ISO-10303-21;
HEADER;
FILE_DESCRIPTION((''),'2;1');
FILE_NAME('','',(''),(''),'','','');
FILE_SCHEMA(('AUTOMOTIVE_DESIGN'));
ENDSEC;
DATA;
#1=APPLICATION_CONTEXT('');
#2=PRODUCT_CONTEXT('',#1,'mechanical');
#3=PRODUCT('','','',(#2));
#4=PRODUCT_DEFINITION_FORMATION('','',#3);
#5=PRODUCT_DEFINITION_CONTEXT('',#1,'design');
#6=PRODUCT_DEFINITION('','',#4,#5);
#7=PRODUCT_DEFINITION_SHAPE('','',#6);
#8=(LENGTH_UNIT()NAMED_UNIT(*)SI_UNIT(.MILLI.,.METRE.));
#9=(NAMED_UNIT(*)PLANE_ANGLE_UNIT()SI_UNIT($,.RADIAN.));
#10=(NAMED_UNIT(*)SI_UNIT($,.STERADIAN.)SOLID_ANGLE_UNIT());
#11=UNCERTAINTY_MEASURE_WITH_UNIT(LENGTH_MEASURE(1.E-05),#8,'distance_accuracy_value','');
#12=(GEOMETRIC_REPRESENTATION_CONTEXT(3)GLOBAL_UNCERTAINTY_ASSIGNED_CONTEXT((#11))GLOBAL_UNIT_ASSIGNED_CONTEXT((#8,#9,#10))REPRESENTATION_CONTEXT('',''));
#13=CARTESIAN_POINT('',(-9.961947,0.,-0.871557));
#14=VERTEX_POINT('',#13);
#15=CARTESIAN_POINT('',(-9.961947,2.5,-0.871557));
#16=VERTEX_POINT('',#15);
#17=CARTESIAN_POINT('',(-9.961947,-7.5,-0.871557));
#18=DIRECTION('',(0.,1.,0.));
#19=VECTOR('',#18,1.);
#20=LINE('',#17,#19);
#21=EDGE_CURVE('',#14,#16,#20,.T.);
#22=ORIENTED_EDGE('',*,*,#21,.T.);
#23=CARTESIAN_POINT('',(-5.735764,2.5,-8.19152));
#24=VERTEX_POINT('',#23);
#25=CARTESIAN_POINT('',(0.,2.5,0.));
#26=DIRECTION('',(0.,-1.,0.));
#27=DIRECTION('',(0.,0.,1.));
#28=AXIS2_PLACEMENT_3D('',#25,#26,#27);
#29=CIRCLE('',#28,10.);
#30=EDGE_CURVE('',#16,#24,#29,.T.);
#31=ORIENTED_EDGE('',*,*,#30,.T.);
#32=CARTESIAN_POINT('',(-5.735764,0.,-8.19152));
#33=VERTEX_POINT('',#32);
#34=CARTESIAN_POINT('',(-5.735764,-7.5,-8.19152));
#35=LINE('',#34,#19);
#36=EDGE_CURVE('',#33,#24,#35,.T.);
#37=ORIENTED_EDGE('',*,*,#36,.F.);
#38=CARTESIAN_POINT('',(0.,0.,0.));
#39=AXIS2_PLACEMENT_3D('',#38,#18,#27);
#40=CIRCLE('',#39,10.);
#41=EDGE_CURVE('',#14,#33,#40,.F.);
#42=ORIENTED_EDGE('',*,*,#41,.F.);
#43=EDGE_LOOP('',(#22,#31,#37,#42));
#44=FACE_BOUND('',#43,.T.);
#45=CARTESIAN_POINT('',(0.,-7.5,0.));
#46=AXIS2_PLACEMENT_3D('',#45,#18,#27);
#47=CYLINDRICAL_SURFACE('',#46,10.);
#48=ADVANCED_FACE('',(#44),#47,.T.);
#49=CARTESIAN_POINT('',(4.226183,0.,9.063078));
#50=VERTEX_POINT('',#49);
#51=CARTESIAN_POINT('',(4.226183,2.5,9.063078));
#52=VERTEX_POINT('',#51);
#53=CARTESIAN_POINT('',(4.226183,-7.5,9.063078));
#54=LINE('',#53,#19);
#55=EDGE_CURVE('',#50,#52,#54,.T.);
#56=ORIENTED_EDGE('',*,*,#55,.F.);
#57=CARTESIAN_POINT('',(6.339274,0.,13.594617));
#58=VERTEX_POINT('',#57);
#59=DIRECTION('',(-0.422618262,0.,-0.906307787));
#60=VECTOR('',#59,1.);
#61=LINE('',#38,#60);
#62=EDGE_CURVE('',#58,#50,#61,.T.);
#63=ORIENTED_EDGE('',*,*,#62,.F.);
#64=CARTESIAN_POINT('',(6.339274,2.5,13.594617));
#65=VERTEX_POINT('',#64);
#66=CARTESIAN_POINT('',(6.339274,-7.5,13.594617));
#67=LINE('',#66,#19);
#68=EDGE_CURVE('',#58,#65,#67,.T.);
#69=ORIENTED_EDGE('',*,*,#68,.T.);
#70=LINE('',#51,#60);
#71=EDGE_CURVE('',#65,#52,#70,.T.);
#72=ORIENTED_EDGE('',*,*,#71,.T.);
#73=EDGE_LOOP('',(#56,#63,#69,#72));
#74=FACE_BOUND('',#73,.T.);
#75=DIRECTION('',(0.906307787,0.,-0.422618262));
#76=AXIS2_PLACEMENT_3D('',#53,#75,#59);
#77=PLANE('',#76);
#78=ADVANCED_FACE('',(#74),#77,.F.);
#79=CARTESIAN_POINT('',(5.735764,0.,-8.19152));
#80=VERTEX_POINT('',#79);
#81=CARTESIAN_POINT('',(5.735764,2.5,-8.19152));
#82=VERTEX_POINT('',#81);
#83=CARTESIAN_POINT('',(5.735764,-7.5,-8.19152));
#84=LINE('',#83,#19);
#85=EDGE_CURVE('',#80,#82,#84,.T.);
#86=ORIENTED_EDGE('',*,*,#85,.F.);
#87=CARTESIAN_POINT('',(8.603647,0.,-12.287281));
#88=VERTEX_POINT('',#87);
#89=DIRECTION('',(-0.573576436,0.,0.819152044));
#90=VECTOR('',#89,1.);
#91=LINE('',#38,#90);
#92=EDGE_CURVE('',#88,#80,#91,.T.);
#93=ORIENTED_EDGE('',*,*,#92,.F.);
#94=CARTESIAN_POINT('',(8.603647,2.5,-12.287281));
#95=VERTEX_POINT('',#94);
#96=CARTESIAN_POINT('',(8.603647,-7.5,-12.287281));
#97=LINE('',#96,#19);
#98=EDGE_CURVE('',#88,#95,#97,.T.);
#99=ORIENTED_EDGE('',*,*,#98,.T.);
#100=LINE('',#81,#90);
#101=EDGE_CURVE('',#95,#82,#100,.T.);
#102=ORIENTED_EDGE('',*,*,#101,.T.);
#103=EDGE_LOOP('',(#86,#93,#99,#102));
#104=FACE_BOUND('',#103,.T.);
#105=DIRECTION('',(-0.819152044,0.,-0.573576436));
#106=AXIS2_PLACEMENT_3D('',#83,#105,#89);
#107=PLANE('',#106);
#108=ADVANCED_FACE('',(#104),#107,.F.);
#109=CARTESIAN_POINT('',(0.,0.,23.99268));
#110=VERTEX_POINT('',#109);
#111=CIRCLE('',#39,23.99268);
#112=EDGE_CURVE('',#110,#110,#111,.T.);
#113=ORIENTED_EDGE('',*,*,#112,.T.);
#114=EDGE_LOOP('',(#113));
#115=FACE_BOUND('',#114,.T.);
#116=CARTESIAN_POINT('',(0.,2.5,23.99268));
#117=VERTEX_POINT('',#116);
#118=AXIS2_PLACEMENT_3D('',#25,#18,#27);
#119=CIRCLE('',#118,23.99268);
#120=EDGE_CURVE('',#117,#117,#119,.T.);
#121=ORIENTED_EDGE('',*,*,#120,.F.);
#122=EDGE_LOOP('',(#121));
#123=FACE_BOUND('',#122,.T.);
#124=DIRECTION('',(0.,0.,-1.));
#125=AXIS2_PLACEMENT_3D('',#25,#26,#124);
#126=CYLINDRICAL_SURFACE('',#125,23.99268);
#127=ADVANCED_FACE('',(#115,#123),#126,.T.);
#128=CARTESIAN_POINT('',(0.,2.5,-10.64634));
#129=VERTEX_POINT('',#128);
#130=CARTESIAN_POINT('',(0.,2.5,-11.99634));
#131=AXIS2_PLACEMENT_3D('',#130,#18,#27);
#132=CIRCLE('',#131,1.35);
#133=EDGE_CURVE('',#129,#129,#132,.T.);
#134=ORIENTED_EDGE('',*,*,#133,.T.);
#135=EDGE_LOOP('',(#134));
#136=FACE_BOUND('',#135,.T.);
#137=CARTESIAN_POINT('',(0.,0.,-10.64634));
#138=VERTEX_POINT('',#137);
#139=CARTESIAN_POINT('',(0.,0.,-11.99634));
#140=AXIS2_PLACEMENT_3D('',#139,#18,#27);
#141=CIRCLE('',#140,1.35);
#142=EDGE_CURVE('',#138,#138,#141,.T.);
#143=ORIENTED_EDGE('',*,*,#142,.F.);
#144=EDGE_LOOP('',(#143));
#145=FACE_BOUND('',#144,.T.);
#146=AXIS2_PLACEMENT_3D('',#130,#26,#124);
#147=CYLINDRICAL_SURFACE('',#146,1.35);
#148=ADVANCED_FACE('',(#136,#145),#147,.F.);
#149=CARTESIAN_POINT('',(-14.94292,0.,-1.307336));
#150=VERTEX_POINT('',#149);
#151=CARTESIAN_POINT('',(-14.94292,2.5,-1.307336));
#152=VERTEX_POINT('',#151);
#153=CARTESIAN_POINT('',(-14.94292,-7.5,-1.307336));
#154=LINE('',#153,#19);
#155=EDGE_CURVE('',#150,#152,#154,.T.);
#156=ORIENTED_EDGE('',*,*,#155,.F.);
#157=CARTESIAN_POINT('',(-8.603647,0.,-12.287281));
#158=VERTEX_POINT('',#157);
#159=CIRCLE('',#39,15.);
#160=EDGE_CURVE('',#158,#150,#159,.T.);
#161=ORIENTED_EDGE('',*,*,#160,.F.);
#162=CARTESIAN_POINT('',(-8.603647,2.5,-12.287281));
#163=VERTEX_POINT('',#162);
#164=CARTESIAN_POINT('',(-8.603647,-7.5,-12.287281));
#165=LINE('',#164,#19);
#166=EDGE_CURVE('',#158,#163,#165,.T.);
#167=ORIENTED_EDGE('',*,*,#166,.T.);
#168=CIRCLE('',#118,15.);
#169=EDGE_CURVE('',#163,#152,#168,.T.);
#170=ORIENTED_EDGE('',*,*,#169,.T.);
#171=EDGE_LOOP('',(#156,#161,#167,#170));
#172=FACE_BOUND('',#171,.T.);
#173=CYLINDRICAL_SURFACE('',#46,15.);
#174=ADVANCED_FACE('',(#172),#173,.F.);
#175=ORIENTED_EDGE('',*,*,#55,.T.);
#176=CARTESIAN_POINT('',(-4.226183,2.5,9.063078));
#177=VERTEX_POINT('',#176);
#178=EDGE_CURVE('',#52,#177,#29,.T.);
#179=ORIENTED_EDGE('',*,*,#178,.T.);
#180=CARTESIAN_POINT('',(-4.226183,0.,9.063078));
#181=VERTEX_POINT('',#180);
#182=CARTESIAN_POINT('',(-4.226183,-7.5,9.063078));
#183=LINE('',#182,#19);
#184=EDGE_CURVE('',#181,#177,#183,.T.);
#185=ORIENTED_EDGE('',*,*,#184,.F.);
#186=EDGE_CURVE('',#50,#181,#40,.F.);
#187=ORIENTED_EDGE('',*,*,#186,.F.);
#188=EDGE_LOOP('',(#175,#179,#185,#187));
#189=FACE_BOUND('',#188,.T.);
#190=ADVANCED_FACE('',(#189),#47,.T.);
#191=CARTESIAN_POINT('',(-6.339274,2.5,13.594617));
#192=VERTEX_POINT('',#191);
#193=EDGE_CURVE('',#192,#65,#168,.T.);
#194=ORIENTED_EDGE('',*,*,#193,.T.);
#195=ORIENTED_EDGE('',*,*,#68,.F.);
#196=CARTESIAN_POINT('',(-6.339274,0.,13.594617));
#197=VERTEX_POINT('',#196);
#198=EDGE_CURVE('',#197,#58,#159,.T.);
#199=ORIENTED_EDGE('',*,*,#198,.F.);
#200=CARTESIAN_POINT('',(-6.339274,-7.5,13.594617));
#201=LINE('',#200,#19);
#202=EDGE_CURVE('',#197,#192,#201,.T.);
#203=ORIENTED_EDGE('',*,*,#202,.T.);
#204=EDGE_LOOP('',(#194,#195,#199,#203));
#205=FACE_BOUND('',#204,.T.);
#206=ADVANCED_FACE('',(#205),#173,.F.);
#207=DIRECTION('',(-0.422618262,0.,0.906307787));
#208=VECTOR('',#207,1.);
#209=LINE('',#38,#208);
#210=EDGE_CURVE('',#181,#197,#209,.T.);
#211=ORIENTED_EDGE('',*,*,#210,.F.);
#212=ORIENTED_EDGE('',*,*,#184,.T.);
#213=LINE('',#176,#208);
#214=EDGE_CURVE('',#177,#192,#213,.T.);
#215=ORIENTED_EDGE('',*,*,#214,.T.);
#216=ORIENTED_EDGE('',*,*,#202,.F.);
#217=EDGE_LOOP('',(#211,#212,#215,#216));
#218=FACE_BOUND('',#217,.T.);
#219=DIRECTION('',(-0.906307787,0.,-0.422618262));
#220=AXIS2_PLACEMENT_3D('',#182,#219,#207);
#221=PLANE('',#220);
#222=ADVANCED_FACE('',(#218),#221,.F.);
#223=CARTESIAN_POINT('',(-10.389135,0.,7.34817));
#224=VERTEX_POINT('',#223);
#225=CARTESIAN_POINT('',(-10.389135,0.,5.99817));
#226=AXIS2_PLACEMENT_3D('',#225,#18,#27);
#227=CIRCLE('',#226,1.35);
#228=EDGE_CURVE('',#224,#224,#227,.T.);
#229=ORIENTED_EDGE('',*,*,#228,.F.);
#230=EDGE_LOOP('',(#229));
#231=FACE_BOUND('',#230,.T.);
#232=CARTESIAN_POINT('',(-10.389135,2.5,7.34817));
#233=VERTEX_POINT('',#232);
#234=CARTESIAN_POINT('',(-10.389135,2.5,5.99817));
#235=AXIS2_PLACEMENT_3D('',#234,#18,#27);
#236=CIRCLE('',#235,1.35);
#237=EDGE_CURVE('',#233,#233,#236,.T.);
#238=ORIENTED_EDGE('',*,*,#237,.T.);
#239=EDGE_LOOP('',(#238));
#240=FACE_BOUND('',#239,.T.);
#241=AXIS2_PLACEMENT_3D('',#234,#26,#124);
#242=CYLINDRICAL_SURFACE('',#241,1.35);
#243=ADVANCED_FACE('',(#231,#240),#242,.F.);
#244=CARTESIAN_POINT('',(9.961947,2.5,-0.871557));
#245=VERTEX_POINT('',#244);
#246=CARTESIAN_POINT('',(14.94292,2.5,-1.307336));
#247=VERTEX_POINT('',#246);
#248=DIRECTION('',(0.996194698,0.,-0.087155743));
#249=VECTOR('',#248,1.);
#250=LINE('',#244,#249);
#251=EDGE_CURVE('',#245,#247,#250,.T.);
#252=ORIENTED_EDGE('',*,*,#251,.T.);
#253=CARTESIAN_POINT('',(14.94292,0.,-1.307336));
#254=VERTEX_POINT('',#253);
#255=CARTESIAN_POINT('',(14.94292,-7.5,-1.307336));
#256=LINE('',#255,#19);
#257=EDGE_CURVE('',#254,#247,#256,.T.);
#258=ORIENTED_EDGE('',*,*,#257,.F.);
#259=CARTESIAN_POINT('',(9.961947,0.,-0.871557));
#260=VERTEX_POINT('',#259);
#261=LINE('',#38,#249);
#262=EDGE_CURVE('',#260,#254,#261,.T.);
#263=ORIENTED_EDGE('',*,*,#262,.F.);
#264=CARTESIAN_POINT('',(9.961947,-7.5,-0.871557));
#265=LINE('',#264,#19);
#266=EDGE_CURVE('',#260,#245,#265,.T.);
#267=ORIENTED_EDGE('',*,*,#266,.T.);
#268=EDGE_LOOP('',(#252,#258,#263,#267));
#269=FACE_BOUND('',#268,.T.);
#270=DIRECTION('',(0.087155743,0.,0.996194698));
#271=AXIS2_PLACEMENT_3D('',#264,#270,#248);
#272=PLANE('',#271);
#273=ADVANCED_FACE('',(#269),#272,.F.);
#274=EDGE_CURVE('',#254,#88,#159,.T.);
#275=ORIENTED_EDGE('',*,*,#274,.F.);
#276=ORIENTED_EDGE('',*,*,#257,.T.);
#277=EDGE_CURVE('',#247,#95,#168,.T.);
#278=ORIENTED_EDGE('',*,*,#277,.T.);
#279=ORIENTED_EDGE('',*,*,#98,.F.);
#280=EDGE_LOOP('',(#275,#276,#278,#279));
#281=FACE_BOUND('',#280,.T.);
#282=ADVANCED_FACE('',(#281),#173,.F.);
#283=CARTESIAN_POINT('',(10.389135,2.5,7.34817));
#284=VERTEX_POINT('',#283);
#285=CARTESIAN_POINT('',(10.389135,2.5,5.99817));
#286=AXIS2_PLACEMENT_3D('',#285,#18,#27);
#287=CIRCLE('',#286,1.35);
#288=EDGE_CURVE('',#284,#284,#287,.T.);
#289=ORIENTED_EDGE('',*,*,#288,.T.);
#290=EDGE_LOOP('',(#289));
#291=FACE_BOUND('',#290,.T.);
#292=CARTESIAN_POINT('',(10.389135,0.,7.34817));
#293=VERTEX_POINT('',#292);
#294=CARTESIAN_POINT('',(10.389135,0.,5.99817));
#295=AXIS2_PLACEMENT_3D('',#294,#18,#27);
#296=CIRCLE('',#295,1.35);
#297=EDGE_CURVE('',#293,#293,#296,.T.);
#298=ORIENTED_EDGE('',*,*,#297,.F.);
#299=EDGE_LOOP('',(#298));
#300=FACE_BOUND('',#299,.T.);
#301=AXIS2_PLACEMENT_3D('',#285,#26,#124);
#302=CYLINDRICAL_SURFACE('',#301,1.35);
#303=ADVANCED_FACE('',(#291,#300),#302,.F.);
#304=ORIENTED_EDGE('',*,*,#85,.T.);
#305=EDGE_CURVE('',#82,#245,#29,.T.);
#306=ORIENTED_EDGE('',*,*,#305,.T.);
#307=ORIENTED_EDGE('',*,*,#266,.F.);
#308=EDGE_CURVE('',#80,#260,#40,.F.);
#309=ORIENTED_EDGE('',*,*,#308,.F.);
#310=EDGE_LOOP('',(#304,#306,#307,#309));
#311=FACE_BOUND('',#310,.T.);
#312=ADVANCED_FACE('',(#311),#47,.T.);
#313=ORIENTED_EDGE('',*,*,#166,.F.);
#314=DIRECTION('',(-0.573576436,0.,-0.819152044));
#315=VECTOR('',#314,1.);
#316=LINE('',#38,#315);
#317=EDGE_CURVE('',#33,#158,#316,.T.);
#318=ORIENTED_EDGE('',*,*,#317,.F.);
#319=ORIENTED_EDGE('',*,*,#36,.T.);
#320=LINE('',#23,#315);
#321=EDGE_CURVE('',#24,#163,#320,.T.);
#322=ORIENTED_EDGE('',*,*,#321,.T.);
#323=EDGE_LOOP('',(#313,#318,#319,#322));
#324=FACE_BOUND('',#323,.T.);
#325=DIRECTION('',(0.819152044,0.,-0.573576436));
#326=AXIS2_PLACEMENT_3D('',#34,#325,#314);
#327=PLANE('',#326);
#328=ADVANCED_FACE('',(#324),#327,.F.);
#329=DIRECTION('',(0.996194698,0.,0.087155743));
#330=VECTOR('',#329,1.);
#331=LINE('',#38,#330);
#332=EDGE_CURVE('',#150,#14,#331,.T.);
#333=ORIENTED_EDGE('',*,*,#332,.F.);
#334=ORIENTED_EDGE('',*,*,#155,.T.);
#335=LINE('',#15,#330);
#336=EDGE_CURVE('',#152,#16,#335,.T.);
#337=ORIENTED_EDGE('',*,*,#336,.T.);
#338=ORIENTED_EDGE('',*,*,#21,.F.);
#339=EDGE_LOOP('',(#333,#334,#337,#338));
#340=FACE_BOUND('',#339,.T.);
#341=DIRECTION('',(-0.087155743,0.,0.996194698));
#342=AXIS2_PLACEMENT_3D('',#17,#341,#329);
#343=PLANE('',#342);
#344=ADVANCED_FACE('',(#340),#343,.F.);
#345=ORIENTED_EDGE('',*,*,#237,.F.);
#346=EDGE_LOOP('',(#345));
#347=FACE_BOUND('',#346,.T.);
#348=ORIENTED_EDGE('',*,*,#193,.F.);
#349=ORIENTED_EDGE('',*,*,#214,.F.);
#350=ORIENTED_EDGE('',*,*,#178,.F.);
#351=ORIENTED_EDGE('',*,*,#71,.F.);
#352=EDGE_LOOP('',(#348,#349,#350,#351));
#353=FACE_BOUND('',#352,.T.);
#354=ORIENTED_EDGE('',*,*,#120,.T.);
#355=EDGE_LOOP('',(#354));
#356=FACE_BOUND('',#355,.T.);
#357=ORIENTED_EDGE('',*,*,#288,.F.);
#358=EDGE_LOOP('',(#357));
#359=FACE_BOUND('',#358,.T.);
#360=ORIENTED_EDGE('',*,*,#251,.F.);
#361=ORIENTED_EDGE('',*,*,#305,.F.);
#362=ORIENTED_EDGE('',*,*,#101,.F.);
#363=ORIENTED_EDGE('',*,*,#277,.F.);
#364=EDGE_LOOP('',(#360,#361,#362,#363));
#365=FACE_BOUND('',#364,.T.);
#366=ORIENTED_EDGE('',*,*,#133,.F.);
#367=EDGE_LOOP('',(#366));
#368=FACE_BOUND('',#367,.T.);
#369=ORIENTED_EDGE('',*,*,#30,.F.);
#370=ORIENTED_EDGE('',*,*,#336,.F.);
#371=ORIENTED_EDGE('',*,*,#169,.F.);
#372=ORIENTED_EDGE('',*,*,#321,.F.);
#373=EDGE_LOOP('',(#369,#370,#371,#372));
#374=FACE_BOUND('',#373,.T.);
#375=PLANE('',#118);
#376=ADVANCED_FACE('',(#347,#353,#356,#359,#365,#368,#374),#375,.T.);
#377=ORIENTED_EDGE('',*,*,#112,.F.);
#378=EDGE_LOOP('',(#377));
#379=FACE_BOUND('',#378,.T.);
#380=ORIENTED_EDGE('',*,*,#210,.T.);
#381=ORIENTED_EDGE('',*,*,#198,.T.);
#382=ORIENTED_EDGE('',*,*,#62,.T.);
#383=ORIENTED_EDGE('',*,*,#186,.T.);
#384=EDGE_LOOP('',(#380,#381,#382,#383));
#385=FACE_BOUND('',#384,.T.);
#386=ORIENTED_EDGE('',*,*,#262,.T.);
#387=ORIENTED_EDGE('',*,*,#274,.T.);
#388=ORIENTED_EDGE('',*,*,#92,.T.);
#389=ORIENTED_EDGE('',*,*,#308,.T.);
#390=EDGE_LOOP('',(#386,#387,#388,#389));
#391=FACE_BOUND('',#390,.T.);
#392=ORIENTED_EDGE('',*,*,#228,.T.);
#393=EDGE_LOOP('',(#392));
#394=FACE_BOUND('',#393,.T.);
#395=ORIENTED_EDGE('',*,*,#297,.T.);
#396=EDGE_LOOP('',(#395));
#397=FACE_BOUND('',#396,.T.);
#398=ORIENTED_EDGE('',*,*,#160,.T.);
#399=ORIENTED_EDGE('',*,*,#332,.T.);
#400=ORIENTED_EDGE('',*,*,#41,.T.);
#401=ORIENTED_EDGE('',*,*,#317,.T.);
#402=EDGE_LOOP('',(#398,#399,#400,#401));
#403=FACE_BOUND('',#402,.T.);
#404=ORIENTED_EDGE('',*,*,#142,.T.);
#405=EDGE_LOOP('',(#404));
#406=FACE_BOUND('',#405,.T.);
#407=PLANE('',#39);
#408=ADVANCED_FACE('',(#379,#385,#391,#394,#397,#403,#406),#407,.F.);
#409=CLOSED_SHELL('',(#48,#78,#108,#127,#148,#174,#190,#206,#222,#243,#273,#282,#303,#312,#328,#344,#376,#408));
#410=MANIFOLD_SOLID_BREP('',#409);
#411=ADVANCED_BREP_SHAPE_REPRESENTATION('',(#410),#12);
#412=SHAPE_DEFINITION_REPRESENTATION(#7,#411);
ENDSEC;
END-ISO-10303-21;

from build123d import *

# Parameters (mm, degrees)
SKETCH1_R           = 23.99268
SKETCH1_R_2         = 1.35
BOSS_EXTRUDE1_DEPTH = 2.5
CUT_EXTRUDE2_DEPTH  = 10


with BuildPart() as part:
    # Sketch1 → Boss-Extrude1 (new body)
    with BuildSketch(Plane(origin=(0, 0, 0), x_dir=(1, 0, 0), z_dir=(0, 1, 0))):
        Circle(SKETCH1_R)
        with Locations((0, 11.99634)):
            Circle(SKETCH1_R_2, mode=Mode.SUBTRACT)
        with Locations((10.389135192, -5.99817)):
            Circle(SKETCH1_R_2, mode=Mode.SUBTRACT)
        with Locations((-10.389135192, -5.99817)):
            Circle(SKETCH1_R_2, mode=Mode.SUBTRACT)
    extrude(amount=BOSS_EXTRUDE1_DEPTH)

    # Sketch3 → Cut-Extrude2 (cut)
    with BuildSketch(Plane(origin=(0, 2.5, 0), x_dir=(1, 0, 0), z_dir=(0, 1, 0))):
        with BuildLine():
            Line((5.735764364, 8.191520443), (8.603646545, 12.287280664))
            ThreePointArc((8.603646545, 12.287280664), (12.990381057, 7.5), (14.942920471, 1.307336141))
            Line((14.942920471, 1.307336141), (9.961946981, 0.871557427))
            ThreePointArc((9.961946981, 0.871557427), (8.660254038, 5), (5.735764364, 8.191520443))
        make_face()
        with BuildLine():
            Line((4.226182617, -9.06307787), (6.339273926, -13.594616806))
            ThreePointArc((6.339273926, -13.594616806), (0, -15), (-6.339273926, -13.594616806))
            Line((-6.339273926, -13.594616806), (-4.226182617, -9.06307787))
            ThreePointArc((-4.226182617, -9.06307787), (0, -10), (4.226182617, -9.06307787))
        make_face()
        with BuildLine():
            Line((-9.961946981, 0.871557427), (-14.942920471, 1.307336141))
            ThreePointArc((-14.942920471, 1.307336141), (-12.990381057, 7.5), (-8.603646545, 12.287280664))
            Line((-8.603646545, 12.287280664), (-5.735764364, 8.191520443))
            ThreePointArc((-5.735764364, 8.191520443), (-8.660254038, 5), (-9.961946981, 0.871557427))
        make_face()
    extrude(amount=-CUT_EXTRUDE2_DEPTH, mode=Mode.SUBTRACT)


solid = part.part
